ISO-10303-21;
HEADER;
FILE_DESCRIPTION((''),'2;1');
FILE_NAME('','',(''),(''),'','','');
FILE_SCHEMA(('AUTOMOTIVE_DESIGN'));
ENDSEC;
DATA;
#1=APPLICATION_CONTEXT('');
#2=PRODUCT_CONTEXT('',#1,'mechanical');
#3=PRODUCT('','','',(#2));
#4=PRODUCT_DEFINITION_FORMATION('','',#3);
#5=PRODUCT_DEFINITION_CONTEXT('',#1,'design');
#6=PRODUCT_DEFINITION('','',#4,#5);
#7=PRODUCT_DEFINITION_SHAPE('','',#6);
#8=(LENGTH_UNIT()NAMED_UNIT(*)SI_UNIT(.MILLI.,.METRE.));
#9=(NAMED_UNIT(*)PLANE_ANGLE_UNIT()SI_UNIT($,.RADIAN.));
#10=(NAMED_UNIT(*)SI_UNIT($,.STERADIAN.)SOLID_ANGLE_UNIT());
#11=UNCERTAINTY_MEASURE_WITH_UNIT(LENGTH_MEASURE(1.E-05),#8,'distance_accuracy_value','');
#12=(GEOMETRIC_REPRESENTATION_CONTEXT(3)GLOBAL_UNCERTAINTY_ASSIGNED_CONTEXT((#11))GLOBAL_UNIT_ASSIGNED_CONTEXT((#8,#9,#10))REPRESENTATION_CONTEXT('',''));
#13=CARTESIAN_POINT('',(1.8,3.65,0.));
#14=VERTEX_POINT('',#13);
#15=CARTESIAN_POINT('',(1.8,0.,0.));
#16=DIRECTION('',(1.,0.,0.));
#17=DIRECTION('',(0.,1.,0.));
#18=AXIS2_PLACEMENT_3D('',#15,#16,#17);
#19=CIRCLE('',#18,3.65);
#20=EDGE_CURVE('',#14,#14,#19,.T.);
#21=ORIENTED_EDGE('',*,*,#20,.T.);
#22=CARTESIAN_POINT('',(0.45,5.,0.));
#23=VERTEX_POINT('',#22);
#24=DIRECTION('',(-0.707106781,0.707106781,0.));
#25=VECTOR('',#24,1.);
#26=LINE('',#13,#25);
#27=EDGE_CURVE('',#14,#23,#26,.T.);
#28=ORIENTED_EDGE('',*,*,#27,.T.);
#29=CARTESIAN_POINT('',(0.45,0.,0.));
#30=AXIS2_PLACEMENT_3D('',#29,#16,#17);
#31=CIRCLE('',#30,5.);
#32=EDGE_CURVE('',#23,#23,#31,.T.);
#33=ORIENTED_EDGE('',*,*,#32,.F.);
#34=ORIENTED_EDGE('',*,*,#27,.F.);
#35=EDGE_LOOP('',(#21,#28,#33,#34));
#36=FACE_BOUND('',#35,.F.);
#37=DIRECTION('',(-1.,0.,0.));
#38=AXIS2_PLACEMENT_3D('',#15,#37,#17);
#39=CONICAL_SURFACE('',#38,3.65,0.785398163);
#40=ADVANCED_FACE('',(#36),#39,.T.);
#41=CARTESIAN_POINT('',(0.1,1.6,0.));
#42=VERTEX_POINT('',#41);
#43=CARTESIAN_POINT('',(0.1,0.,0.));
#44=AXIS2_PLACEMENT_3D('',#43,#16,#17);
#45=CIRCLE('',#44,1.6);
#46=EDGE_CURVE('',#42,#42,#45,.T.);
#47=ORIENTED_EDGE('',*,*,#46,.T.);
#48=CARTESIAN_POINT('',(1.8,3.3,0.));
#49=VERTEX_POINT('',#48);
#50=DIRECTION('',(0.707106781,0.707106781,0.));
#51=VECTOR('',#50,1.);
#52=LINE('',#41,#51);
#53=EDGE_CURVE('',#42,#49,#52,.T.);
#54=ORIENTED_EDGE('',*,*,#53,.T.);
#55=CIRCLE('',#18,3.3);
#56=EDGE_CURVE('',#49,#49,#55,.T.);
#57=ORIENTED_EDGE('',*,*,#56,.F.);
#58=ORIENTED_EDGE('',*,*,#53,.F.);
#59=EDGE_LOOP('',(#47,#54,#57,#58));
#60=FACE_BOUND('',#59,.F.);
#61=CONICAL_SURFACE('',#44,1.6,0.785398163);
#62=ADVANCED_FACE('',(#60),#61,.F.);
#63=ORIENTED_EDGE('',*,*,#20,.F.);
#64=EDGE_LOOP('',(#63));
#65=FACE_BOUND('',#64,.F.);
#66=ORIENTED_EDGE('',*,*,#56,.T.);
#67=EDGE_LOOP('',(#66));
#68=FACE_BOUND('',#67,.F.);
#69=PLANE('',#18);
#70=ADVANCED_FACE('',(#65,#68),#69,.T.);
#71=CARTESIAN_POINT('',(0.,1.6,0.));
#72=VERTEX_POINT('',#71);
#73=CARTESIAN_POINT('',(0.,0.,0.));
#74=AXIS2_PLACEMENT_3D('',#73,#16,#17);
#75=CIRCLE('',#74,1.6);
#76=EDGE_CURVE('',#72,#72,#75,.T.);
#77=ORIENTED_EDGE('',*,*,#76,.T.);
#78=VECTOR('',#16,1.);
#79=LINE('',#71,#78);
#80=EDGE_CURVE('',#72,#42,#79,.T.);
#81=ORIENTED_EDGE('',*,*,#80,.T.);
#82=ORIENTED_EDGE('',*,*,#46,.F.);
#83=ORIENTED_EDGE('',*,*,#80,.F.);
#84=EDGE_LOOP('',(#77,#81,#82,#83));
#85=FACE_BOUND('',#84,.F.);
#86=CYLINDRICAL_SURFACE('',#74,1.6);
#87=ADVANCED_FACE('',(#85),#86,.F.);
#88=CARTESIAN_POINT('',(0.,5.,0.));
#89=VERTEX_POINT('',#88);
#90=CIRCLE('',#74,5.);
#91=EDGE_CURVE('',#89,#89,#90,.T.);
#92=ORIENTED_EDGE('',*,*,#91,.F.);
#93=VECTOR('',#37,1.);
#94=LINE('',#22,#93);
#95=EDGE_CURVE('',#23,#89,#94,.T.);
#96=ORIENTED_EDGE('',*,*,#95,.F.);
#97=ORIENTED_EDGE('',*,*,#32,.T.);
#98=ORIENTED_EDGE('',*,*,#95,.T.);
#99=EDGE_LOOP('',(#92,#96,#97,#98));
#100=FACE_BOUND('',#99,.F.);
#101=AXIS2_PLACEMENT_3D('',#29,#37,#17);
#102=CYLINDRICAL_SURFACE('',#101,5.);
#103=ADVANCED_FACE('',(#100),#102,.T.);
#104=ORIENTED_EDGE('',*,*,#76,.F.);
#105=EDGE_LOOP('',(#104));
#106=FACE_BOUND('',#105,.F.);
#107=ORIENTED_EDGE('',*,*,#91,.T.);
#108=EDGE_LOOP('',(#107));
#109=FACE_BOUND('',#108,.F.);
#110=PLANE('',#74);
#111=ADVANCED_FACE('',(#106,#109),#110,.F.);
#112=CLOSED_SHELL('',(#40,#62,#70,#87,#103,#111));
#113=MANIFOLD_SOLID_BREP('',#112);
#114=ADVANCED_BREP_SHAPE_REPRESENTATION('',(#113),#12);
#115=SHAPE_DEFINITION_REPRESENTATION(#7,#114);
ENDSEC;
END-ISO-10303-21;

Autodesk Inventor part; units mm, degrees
ref_plane "Plan YZ" through (0, 0, 0) normal (1, 0, 0) x (0, 1, 0)
ref_plane "Plan XZ" through (0, 0, 0) normal (0, 1, 0) x (-1, 0, 0)
ref_plane "Plan XY" through (0, 0, 0) normal (0, 0, 1) x (1, 0, 0)
sketch "Esquisse1" plane through (0, 0, 0) normal (0, 0, 1) x (1, 0, 0)
  line L0 (0, 5) -> (0, 1.6)
  line L1 (0, 1.6) -> (0.1, 1.6)
  line L2 (0.1, 1.6) -> (1.8, 3.3)
  line L3 (1.8, 3.3) -> (1.8, 3.65)
  line L4 (1.8, 3.65) -> (0.45, 5)
  line L5 (0.45, 5) -> (0, 5)
  line L6 (-2.9261, 0) -> (4.3316, 0) construction
  point P0 (0, 0)
  dimension "d0" = 3.2
  dimension "d1" = 10
  dimension "d2" = 7.3
  dimension "d3" = 6.6
  dimension "d4" = 1.8
  dimension "d5" = 45
revolve "Révolution1" add sketch "Esquisse1" angle 360 about axis through (-2.9261, 0, 0) along (1, 0, 0)
properties part number "SN213912_M3" material "Acier zingué-bleu"
